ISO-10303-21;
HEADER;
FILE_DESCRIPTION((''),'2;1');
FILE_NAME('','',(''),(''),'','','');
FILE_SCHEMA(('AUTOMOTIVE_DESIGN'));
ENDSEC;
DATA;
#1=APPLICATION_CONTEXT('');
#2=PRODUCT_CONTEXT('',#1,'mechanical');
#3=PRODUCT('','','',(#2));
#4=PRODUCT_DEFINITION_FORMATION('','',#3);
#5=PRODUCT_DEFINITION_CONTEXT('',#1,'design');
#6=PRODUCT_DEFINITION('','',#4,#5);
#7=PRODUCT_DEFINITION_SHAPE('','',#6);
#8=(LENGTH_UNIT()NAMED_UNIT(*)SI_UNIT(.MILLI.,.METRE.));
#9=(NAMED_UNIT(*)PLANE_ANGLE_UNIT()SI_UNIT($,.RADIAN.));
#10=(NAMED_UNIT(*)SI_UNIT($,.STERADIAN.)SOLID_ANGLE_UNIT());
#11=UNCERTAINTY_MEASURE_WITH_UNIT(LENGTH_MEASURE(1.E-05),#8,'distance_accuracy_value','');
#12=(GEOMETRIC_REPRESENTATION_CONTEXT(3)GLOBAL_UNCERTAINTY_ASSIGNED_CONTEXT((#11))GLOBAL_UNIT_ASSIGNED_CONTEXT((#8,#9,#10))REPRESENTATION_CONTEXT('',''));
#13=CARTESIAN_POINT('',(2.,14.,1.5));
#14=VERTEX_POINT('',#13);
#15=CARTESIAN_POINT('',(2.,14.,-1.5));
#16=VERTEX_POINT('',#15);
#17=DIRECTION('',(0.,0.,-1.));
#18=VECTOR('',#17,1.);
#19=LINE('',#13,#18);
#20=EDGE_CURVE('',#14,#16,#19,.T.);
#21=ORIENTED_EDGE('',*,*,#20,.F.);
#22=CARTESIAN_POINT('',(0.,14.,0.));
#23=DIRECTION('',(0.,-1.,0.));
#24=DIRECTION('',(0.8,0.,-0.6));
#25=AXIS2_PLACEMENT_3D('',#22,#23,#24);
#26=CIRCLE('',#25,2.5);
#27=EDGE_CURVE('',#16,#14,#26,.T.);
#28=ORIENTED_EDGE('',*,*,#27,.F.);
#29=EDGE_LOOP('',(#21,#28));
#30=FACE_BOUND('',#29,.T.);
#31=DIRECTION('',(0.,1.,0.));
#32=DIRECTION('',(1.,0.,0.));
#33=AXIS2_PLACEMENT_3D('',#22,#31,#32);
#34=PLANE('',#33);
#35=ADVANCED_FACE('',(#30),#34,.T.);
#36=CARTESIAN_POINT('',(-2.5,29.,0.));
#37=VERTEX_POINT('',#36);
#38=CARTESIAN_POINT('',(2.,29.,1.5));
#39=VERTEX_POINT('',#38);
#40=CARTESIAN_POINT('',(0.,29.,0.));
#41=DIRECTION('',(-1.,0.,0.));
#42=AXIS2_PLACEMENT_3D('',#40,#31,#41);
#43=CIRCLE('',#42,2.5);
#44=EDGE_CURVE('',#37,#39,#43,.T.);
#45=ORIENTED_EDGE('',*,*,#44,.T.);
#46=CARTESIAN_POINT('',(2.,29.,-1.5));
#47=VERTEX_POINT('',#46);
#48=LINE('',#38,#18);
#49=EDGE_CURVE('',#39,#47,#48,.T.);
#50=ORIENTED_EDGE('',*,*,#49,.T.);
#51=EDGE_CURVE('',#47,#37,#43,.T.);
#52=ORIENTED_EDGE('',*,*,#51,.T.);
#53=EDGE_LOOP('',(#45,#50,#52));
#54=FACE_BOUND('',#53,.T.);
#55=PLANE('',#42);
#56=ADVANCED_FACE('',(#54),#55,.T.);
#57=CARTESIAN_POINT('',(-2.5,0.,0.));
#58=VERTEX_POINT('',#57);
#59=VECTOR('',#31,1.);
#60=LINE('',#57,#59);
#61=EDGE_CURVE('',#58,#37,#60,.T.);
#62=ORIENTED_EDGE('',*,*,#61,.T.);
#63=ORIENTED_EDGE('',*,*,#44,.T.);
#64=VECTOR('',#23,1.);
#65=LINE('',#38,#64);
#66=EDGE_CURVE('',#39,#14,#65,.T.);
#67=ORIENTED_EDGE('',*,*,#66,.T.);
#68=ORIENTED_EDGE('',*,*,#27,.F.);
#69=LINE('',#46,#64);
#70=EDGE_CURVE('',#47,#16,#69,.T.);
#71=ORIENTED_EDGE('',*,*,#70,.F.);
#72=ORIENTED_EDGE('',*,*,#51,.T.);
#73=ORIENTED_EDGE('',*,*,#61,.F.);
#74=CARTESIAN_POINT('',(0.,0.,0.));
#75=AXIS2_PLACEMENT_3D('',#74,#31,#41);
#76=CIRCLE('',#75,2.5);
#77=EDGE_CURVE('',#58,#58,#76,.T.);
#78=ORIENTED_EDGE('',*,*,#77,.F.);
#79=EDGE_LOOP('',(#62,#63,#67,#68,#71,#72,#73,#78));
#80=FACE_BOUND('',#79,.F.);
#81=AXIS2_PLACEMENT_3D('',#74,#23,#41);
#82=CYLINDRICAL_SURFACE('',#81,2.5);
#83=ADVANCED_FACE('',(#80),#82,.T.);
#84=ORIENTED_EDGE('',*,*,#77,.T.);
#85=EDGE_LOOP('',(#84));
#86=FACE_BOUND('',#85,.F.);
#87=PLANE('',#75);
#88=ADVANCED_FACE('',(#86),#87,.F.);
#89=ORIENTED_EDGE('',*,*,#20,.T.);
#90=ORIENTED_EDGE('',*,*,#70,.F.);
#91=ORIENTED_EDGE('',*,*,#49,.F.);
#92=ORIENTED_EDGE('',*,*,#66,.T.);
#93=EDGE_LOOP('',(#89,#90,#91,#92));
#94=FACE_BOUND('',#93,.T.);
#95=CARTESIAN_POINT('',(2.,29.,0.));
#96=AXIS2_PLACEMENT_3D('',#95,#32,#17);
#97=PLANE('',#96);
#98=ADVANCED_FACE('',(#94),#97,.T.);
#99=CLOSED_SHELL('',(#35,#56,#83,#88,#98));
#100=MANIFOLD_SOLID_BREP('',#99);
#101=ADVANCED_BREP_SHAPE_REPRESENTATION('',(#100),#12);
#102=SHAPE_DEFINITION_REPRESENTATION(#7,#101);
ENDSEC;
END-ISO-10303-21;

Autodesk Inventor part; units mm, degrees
ref_plane "YZ Plane" through (0, 0, 0) normal (1, 0, 0) x (0, 1, 0)
ref_plane "XZ Plane" through (0, 0, 0) normal (0, 1, 0) x (-1, 0, 0)
ref_plane "XY Plane" through (0, 0, 0) normal (0, 0, 1) x (1, 0, 0)
sketch "Эскиз1" plane through (0, 0, 0) normal (0, 1, 0) x (-1, 0, 0)
  circle A0 centre (0, 0) radius 2.5
  dimension "d0" = 5
extrude "Выдавливание1" add sketch "Эскиз1" along normal blind 29
sketch "Эскиз2" plane through (0, 29, 0) normal (0, 1, 0) x (1, 0, 0)
  circle A0 centre (0, 0) radius 2.5 projected
  line L0 (-2.5, 0) -> (2, 0)
  line L1 (2, 0) -> (2, 1.5)
  line L2 (2, 0) -> (2, -1.5)
  dimension "d3" = 4.5
extrude "Выдавливание2" cut sketch "Эскиз2" against normal blind 15 contours A0 L2 L1
properties part number "Axis"
